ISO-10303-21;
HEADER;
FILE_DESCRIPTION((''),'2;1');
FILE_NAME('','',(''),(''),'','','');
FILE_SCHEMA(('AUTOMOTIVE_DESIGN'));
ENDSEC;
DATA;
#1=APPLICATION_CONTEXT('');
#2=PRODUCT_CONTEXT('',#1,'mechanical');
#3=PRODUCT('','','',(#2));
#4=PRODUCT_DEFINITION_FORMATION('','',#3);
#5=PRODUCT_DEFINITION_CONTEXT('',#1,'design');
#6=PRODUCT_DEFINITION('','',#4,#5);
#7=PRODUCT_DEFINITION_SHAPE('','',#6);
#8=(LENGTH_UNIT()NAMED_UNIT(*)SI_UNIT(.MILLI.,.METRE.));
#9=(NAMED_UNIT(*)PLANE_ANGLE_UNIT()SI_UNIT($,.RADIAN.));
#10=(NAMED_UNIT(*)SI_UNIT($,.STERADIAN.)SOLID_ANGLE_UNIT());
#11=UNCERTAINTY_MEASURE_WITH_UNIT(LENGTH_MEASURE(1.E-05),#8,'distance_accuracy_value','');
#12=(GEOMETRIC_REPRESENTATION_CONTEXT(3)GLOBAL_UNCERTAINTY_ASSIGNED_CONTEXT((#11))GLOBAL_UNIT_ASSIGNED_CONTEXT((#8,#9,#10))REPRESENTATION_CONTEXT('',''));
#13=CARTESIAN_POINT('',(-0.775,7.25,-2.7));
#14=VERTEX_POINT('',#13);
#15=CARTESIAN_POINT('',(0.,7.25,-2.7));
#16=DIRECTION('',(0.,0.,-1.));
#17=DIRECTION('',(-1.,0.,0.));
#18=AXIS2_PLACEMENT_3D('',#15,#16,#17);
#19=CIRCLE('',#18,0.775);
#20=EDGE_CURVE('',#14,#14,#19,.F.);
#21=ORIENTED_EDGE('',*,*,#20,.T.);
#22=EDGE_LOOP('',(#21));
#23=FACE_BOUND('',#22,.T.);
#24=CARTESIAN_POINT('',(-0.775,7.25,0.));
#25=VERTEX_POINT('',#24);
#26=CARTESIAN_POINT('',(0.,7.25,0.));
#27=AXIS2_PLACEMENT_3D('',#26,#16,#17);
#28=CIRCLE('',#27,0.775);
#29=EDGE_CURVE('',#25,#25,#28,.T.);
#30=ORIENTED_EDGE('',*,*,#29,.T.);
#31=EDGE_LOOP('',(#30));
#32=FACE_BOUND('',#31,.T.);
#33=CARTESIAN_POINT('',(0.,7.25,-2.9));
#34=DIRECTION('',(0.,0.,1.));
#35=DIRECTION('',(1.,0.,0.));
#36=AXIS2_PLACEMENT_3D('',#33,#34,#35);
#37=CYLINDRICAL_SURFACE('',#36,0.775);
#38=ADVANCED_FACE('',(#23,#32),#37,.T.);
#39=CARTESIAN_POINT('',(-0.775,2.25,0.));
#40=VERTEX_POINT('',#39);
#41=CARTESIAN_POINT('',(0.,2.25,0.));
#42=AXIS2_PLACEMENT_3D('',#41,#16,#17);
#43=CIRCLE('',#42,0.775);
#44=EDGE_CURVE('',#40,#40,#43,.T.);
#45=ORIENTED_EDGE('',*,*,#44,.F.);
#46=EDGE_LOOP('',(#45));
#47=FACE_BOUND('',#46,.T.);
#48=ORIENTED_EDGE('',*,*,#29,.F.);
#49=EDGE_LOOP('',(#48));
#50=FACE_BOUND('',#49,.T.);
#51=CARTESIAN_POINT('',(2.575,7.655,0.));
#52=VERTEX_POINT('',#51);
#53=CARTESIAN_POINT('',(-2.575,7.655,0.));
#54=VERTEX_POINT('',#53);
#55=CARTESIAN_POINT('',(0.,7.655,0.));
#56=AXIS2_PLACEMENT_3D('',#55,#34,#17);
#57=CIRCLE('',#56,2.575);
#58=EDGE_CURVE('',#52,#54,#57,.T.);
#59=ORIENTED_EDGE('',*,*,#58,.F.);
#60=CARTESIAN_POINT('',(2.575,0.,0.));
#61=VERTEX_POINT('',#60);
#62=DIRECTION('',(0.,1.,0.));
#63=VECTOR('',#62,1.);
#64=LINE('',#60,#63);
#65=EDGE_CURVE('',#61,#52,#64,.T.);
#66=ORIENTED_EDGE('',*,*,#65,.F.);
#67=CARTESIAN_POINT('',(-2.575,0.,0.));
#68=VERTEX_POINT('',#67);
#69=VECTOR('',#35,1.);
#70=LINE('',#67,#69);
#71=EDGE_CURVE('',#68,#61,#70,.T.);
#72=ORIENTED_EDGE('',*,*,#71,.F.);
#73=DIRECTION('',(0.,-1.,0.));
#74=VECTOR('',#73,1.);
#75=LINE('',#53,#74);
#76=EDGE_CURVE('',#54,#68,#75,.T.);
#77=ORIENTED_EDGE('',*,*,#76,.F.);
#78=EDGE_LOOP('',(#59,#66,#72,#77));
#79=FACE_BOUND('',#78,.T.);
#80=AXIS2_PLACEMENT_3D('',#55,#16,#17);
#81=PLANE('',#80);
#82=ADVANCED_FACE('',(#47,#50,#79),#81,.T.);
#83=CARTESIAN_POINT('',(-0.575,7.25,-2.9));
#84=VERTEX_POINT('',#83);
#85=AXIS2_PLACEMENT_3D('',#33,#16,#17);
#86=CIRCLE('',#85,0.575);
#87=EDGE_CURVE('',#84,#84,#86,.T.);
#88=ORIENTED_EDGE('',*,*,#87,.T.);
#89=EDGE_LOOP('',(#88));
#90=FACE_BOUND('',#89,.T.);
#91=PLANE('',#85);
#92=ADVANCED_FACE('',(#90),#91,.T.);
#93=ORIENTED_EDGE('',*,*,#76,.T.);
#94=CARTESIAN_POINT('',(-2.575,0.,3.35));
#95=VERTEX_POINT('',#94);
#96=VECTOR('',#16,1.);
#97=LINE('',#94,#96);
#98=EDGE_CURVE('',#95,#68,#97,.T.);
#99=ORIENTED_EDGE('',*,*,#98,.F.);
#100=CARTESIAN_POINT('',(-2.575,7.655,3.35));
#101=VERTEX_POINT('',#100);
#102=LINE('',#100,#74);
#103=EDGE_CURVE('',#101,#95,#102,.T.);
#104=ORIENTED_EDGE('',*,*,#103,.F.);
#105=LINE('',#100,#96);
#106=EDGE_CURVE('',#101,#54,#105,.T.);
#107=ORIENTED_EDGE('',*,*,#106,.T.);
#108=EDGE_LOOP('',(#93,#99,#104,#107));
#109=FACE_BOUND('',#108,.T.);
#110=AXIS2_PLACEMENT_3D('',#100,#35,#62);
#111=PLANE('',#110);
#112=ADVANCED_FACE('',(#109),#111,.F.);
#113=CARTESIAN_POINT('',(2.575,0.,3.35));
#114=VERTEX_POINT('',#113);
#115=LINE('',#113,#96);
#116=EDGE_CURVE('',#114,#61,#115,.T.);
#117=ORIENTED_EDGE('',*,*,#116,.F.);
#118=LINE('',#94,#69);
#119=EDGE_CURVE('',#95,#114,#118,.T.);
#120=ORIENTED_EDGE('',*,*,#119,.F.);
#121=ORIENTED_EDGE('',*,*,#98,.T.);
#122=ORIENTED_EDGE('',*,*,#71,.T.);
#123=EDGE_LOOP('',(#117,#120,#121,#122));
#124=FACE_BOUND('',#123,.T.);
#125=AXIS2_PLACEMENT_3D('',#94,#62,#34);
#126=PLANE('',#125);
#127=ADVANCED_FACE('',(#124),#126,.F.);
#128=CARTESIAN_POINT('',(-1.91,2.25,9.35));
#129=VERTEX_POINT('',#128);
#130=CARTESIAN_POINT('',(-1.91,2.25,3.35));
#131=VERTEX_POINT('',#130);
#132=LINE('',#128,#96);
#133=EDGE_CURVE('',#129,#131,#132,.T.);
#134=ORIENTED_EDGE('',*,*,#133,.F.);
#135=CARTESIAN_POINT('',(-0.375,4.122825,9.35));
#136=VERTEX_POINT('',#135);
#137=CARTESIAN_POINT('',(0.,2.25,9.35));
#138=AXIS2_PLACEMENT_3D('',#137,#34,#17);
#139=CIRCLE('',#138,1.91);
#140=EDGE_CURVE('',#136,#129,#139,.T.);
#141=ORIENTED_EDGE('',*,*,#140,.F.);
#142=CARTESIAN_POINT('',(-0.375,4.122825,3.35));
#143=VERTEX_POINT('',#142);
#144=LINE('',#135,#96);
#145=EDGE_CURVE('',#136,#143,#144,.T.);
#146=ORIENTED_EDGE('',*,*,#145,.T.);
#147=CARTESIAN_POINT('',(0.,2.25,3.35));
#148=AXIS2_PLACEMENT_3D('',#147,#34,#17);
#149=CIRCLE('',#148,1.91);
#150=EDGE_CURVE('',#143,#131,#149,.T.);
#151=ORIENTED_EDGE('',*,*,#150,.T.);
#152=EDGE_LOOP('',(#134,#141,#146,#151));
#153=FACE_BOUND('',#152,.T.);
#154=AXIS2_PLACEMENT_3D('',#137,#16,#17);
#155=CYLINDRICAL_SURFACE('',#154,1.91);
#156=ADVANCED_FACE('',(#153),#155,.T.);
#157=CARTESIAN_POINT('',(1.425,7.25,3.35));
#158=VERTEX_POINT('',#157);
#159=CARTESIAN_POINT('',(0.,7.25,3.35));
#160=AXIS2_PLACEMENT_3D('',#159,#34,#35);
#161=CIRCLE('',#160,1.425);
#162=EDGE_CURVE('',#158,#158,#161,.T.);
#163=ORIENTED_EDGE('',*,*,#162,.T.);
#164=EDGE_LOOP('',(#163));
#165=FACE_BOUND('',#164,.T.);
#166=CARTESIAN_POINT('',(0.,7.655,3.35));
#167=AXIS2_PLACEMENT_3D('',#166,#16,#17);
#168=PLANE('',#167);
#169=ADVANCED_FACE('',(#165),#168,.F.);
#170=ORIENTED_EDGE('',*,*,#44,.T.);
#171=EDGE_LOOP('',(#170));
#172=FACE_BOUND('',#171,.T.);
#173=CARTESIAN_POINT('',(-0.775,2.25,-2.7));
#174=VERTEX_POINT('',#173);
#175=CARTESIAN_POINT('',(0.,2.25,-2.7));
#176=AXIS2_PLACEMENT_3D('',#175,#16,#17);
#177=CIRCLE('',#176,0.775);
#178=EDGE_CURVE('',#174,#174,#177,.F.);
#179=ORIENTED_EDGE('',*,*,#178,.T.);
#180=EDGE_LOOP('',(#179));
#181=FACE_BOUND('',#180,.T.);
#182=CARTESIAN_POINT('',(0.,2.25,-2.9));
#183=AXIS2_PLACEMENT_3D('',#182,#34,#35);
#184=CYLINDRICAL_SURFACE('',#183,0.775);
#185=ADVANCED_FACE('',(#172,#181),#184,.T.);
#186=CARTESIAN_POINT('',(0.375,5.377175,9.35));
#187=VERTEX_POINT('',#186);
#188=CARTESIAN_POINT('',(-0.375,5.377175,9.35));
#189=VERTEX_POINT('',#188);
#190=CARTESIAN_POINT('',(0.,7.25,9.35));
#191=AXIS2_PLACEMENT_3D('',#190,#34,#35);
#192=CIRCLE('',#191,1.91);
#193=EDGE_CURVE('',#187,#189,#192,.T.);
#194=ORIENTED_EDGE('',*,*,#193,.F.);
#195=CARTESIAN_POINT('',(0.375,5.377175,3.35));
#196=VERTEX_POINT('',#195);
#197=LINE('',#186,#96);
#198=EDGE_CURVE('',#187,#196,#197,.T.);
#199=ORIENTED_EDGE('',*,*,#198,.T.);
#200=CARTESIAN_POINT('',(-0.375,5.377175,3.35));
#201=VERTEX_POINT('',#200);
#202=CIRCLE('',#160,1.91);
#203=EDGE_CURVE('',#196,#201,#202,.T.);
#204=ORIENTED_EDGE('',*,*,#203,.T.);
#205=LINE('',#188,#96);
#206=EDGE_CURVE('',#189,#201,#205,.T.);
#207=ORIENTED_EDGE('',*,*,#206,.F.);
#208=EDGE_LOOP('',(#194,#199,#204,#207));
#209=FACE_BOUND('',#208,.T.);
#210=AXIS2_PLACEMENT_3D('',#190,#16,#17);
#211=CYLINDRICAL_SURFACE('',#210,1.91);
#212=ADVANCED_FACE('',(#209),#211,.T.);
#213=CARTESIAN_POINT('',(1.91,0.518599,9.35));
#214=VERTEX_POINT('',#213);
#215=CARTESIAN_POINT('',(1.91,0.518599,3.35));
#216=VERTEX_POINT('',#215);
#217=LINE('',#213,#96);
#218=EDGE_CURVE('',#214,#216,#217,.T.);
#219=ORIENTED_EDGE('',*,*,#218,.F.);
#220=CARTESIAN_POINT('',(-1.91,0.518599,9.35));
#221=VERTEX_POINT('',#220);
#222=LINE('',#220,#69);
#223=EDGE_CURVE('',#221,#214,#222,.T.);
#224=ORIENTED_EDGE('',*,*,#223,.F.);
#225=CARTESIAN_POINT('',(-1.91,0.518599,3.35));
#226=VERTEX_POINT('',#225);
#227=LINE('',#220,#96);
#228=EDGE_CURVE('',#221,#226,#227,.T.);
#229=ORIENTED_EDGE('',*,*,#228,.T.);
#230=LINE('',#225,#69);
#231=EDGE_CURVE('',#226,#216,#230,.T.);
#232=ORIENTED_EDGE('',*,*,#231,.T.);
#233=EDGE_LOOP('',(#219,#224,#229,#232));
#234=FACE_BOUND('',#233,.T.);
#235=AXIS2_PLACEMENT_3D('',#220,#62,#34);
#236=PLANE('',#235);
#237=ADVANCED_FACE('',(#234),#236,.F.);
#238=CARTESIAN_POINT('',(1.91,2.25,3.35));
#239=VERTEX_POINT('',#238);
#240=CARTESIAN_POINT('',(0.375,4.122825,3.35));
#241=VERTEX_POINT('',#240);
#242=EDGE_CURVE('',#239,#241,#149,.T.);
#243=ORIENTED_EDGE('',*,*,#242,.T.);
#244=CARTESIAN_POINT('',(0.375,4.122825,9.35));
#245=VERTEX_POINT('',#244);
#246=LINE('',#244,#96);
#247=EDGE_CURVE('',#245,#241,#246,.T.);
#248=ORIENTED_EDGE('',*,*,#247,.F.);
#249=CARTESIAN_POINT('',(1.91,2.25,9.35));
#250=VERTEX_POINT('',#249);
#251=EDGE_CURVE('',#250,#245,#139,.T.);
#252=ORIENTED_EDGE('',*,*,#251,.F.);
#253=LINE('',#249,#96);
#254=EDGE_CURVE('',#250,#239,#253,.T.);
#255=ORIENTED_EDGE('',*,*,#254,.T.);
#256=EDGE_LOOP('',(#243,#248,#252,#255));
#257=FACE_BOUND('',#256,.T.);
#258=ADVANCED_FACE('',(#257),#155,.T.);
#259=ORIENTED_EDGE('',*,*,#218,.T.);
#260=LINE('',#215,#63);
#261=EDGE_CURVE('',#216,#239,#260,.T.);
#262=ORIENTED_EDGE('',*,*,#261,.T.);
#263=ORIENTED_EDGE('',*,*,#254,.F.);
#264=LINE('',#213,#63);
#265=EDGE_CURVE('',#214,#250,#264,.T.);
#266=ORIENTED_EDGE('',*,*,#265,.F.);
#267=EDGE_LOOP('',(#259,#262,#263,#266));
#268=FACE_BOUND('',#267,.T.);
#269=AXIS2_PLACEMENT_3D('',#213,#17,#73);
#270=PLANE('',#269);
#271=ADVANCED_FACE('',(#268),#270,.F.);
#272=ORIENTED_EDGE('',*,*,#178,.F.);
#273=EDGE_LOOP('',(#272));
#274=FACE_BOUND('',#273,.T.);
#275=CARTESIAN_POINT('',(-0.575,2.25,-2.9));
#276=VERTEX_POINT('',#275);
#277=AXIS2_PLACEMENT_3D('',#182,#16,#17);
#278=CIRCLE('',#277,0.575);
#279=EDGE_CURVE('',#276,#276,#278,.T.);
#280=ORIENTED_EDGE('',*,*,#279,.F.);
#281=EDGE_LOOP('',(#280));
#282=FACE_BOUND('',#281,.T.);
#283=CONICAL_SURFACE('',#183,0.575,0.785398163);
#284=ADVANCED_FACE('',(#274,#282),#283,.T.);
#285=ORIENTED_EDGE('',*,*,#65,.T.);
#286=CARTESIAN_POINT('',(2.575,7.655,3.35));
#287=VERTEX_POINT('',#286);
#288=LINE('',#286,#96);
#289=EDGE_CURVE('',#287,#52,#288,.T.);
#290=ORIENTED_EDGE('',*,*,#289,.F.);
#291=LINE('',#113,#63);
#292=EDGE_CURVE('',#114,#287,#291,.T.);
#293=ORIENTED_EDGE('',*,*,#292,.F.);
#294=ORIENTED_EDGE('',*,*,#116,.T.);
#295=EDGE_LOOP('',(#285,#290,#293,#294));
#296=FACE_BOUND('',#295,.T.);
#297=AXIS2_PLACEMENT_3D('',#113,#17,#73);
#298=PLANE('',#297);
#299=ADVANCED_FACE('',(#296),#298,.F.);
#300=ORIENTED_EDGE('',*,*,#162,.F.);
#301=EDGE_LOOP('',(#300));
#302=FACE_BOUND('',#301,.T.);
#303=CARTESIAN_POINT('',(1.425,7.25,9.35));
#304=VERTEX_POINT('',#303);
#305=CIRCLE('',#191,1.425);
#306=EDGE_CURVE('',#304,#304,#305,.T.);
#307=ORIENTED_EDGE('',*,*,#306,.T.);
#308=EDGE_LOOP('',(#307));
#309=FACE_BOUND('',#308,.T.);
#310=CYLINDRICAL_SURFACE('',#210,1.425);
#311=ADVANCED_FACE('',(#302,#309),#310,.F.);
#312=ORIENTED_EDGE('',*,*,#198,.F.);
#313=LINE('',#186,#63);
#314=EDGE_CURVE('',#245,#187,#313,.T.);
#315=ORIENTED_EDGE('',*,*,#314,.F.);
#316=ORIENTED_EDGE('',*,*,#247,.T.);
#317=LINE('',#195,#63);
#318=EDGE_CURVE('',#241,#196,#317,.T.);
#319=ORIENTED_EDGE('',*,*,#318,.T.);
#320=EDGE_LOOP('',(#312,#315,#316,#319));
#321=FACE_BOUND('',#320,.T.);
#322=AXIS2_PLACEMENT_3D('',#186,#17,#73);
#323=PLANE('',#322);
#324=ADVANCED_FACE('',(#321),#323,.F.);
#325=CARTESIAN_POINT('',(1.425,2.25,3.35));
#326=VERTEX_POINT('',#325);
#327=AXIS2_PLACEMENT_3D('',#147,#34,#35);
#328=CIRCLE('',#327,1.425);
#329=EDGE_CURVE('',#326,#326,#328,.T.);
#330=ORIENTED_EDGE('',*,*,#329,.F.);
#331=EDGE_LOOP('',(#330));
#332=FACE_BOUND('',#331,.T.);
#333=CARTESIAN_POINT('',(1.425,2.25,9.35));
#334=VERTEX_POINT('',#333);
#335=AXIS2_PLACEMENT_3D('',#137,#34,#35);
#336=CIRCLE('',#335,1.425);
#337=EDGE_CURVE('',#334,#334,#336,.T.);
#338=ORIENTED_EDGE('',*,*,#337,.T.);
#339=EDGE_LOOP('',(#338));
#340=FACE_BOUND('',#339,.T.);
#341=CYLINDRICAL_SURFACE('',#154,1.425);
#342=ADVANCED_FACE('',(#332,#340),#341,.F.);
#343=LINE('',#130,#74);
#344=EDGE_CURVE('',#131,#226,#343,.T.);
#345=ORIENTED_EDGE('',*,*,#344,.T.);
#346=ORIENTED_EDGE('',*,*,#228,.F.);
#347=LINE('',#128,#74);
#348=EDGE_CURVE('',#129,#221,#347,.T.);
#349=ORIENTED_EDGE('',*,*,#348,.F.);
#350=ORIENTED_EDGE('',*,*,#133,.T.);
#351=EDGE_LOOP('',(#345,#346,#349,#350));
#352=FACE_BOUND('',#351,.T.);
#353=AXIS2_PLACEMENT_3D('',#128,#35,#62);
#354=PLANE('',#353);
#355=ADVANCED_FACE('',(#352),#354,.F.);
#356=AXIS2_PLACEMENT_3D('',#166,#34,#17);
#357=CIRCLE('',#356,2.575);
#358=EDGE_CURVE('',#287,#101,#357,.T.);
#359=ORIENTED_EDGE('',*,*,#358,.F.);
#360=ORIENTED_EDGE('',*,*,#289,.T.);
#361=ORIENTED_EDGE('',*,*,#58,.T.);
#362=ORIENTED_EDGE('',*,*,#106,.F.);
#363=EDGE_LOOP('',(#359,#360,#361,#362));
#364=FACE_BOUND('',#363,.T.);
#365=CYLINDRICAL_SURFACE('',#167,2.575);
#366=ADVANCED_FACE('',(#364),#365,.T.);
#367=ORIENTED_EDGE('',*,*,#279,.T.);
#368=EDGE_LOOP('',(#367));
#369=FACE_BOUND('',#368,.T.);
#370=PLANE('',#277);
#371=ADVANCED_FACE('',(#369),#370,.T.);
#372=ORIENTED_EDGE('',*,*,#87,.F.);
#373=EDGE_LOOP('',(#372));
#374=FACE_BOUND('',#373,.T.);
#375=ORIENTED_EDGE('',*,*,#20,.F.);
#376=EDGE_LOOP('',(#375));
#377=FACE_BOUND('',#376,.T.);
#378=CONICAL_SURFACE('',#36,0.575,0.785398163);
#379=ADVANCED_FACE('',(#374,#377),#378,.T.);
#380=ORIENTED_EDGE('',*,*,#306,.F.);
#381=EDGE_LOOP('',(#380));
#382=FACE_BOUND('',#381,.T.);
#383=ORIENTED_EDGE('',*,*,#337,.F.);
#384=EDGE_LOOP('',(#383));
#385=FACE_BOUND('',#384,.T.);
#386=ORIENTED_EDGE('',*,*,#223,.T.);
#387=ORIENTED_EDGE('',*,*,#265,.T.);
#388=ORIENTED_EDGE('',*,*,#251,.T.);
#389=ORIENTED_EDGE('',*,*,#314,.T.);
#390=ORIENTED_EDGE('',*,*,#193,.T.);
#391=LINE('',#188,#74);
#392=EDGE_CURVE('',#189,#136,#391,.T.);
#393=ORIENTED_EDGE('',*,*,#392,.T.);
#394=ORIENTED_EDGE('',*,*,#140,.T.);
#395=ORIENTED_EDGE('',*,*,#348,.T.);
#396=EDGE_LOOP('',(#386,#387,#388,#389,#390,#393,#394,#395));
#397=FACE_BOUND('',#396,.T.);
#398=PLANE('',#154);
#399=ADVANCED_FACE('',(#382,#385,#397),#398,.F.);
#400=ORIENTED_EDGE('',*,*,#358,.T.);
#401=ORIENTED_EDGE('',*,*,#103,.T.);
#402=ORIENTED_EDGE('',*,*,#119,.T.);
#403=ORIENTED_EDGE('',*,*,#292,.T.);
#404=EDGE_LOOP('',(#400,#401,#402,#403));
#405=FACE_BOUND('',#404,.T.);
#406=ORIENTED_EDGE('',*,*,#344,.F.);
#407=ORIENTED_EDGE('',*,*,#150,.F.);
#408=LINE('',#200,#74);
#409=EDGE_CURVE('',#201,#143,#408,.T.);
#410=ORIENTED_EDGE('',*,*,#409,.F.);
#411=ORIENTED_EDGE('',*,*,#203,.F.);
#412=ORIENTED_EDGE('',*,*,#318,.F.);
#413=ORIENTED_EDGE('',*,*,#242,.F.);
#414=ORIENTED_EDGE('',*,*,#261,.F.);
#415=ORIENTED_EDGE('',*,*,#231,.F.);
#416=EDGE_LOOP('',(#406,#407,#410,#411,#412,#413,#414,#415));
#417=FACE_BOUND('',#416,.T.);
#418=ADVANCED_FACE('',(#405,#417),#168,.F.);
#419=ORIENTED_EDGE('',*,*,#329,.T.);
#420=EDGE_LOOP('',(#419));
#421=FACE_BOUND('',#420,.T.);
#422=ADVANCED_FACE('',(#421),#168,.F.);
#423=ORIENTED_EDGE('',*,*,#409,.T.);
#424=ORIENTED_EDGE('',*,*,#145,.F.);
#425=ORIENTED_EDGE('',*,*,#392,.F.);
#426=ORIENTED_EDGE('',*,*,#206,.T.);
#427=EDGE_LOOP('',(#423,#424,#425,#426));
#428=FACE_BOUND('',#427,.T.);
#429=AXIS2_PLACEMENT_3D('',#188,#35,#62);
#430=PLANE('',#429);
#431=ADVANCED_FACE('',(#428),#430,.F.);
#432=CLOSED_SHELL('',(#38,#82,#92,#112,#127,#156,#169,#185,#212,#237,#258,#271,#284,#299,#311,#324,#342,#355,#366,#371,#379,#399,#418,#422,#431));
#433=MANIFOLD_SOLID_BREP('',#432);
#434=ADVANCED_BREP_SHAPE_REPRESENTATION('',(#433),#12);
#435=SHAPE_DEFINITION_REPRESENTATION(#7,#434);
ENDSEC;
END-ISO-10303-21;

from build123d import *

# Parameters (mm, degrees)
SALIENTE_EXTRUIR1_DEPTH = 3.35
CROQUIS2_R              = 0.775
SALIENTE_EXTRUIR2_DEPTH = 2.9
CHAFL_N1_SIZE           = 0.2
CROQUIS3_R              = 1.425
SALIENTE_EXTRUIR3_DEPTH = 6


with BuildPart() as part:
    # Croquis1 → Saliente-Extruir1 (new body)
    with BuildSketch(Plane.XY):
        with BuildLine():
            Line((-2.575, 7.655), (-2.575, 0))
            Line((-2.575, 0), (2.575, 0))
            Line((2.575, 0), (2.575, 7.655))
            ThreePointArc((2.575, 7.655), (0, 10.23), (-2.575, 7.655))
        make_face()
    extrude(amount=SALIENTE_EXTRUIR1_DEPTH)

    # Croquis2 → Saliente-Extruir2 (add)
    with BuildSketch(Plane(origin=(0, 0, 0), x_dir=(-1, 0, 0), z_dir=(0, 0, -1))):
        with Locations((0, 7.25)):
            Circle(CROQUIS2_R)
        with Locations((0, 2.25)):
            Circle(CROQUIS2_R)
    extrude(amount=SALIENTE_EXTRUIR2_DEPTH)

    # Chaflán1
    chafl_n1_edges = [part.edges().sort_by_distance(p)[0] for p in [
        (0.775, 7.25, -2.9),
        (0.775, 2.25, -2.9),
    ]]
    chamfer(chafl_n1_edges, length=CHAFL_N1_SIZE)

    # Croquis3 → Saliente-Extruir3 (add)
    with BuildSketch(Plane.XY.offset(3.35)):
        with BuildLine():
            Line((-1.91, 2.25), (-1.91, 0.51859855))
            Line((-1.91, 0.51859855), (1.91, 0.51859855))
            Line((1.91, 0.51859855), (1.91, 2.25))
            ThreePointArc((1.91, 2.25), (1.47721867, 3.460753897), (0.375, 4.122825406))
            Line((0.375, 4.122825406), (0.375, 5.377174594))
            ThreePointArc((0.375, 5.377174594), (0, 9.16), (-0.375, 5.377174594))
            Line((-0.375, 5.377174594), (-0.375, 4.122825406))
            ThreePointArc((-0.375, 4.122825406), (-1.47721867, 3.460753897), (-1.91, 2.25))
        make_face()
        with Locations((0, 2.25)):
            Circle(CROQUIS3_R, mode=Mode.SUBTRACT)
        with Locations((0, 7.25)):
            Circle(CROQUIS3_R, mode=Mode.SUBTRACT)
    extrude(amount=SALIENTE_EXTRUIR3_DEPTH)


solid = part.part
